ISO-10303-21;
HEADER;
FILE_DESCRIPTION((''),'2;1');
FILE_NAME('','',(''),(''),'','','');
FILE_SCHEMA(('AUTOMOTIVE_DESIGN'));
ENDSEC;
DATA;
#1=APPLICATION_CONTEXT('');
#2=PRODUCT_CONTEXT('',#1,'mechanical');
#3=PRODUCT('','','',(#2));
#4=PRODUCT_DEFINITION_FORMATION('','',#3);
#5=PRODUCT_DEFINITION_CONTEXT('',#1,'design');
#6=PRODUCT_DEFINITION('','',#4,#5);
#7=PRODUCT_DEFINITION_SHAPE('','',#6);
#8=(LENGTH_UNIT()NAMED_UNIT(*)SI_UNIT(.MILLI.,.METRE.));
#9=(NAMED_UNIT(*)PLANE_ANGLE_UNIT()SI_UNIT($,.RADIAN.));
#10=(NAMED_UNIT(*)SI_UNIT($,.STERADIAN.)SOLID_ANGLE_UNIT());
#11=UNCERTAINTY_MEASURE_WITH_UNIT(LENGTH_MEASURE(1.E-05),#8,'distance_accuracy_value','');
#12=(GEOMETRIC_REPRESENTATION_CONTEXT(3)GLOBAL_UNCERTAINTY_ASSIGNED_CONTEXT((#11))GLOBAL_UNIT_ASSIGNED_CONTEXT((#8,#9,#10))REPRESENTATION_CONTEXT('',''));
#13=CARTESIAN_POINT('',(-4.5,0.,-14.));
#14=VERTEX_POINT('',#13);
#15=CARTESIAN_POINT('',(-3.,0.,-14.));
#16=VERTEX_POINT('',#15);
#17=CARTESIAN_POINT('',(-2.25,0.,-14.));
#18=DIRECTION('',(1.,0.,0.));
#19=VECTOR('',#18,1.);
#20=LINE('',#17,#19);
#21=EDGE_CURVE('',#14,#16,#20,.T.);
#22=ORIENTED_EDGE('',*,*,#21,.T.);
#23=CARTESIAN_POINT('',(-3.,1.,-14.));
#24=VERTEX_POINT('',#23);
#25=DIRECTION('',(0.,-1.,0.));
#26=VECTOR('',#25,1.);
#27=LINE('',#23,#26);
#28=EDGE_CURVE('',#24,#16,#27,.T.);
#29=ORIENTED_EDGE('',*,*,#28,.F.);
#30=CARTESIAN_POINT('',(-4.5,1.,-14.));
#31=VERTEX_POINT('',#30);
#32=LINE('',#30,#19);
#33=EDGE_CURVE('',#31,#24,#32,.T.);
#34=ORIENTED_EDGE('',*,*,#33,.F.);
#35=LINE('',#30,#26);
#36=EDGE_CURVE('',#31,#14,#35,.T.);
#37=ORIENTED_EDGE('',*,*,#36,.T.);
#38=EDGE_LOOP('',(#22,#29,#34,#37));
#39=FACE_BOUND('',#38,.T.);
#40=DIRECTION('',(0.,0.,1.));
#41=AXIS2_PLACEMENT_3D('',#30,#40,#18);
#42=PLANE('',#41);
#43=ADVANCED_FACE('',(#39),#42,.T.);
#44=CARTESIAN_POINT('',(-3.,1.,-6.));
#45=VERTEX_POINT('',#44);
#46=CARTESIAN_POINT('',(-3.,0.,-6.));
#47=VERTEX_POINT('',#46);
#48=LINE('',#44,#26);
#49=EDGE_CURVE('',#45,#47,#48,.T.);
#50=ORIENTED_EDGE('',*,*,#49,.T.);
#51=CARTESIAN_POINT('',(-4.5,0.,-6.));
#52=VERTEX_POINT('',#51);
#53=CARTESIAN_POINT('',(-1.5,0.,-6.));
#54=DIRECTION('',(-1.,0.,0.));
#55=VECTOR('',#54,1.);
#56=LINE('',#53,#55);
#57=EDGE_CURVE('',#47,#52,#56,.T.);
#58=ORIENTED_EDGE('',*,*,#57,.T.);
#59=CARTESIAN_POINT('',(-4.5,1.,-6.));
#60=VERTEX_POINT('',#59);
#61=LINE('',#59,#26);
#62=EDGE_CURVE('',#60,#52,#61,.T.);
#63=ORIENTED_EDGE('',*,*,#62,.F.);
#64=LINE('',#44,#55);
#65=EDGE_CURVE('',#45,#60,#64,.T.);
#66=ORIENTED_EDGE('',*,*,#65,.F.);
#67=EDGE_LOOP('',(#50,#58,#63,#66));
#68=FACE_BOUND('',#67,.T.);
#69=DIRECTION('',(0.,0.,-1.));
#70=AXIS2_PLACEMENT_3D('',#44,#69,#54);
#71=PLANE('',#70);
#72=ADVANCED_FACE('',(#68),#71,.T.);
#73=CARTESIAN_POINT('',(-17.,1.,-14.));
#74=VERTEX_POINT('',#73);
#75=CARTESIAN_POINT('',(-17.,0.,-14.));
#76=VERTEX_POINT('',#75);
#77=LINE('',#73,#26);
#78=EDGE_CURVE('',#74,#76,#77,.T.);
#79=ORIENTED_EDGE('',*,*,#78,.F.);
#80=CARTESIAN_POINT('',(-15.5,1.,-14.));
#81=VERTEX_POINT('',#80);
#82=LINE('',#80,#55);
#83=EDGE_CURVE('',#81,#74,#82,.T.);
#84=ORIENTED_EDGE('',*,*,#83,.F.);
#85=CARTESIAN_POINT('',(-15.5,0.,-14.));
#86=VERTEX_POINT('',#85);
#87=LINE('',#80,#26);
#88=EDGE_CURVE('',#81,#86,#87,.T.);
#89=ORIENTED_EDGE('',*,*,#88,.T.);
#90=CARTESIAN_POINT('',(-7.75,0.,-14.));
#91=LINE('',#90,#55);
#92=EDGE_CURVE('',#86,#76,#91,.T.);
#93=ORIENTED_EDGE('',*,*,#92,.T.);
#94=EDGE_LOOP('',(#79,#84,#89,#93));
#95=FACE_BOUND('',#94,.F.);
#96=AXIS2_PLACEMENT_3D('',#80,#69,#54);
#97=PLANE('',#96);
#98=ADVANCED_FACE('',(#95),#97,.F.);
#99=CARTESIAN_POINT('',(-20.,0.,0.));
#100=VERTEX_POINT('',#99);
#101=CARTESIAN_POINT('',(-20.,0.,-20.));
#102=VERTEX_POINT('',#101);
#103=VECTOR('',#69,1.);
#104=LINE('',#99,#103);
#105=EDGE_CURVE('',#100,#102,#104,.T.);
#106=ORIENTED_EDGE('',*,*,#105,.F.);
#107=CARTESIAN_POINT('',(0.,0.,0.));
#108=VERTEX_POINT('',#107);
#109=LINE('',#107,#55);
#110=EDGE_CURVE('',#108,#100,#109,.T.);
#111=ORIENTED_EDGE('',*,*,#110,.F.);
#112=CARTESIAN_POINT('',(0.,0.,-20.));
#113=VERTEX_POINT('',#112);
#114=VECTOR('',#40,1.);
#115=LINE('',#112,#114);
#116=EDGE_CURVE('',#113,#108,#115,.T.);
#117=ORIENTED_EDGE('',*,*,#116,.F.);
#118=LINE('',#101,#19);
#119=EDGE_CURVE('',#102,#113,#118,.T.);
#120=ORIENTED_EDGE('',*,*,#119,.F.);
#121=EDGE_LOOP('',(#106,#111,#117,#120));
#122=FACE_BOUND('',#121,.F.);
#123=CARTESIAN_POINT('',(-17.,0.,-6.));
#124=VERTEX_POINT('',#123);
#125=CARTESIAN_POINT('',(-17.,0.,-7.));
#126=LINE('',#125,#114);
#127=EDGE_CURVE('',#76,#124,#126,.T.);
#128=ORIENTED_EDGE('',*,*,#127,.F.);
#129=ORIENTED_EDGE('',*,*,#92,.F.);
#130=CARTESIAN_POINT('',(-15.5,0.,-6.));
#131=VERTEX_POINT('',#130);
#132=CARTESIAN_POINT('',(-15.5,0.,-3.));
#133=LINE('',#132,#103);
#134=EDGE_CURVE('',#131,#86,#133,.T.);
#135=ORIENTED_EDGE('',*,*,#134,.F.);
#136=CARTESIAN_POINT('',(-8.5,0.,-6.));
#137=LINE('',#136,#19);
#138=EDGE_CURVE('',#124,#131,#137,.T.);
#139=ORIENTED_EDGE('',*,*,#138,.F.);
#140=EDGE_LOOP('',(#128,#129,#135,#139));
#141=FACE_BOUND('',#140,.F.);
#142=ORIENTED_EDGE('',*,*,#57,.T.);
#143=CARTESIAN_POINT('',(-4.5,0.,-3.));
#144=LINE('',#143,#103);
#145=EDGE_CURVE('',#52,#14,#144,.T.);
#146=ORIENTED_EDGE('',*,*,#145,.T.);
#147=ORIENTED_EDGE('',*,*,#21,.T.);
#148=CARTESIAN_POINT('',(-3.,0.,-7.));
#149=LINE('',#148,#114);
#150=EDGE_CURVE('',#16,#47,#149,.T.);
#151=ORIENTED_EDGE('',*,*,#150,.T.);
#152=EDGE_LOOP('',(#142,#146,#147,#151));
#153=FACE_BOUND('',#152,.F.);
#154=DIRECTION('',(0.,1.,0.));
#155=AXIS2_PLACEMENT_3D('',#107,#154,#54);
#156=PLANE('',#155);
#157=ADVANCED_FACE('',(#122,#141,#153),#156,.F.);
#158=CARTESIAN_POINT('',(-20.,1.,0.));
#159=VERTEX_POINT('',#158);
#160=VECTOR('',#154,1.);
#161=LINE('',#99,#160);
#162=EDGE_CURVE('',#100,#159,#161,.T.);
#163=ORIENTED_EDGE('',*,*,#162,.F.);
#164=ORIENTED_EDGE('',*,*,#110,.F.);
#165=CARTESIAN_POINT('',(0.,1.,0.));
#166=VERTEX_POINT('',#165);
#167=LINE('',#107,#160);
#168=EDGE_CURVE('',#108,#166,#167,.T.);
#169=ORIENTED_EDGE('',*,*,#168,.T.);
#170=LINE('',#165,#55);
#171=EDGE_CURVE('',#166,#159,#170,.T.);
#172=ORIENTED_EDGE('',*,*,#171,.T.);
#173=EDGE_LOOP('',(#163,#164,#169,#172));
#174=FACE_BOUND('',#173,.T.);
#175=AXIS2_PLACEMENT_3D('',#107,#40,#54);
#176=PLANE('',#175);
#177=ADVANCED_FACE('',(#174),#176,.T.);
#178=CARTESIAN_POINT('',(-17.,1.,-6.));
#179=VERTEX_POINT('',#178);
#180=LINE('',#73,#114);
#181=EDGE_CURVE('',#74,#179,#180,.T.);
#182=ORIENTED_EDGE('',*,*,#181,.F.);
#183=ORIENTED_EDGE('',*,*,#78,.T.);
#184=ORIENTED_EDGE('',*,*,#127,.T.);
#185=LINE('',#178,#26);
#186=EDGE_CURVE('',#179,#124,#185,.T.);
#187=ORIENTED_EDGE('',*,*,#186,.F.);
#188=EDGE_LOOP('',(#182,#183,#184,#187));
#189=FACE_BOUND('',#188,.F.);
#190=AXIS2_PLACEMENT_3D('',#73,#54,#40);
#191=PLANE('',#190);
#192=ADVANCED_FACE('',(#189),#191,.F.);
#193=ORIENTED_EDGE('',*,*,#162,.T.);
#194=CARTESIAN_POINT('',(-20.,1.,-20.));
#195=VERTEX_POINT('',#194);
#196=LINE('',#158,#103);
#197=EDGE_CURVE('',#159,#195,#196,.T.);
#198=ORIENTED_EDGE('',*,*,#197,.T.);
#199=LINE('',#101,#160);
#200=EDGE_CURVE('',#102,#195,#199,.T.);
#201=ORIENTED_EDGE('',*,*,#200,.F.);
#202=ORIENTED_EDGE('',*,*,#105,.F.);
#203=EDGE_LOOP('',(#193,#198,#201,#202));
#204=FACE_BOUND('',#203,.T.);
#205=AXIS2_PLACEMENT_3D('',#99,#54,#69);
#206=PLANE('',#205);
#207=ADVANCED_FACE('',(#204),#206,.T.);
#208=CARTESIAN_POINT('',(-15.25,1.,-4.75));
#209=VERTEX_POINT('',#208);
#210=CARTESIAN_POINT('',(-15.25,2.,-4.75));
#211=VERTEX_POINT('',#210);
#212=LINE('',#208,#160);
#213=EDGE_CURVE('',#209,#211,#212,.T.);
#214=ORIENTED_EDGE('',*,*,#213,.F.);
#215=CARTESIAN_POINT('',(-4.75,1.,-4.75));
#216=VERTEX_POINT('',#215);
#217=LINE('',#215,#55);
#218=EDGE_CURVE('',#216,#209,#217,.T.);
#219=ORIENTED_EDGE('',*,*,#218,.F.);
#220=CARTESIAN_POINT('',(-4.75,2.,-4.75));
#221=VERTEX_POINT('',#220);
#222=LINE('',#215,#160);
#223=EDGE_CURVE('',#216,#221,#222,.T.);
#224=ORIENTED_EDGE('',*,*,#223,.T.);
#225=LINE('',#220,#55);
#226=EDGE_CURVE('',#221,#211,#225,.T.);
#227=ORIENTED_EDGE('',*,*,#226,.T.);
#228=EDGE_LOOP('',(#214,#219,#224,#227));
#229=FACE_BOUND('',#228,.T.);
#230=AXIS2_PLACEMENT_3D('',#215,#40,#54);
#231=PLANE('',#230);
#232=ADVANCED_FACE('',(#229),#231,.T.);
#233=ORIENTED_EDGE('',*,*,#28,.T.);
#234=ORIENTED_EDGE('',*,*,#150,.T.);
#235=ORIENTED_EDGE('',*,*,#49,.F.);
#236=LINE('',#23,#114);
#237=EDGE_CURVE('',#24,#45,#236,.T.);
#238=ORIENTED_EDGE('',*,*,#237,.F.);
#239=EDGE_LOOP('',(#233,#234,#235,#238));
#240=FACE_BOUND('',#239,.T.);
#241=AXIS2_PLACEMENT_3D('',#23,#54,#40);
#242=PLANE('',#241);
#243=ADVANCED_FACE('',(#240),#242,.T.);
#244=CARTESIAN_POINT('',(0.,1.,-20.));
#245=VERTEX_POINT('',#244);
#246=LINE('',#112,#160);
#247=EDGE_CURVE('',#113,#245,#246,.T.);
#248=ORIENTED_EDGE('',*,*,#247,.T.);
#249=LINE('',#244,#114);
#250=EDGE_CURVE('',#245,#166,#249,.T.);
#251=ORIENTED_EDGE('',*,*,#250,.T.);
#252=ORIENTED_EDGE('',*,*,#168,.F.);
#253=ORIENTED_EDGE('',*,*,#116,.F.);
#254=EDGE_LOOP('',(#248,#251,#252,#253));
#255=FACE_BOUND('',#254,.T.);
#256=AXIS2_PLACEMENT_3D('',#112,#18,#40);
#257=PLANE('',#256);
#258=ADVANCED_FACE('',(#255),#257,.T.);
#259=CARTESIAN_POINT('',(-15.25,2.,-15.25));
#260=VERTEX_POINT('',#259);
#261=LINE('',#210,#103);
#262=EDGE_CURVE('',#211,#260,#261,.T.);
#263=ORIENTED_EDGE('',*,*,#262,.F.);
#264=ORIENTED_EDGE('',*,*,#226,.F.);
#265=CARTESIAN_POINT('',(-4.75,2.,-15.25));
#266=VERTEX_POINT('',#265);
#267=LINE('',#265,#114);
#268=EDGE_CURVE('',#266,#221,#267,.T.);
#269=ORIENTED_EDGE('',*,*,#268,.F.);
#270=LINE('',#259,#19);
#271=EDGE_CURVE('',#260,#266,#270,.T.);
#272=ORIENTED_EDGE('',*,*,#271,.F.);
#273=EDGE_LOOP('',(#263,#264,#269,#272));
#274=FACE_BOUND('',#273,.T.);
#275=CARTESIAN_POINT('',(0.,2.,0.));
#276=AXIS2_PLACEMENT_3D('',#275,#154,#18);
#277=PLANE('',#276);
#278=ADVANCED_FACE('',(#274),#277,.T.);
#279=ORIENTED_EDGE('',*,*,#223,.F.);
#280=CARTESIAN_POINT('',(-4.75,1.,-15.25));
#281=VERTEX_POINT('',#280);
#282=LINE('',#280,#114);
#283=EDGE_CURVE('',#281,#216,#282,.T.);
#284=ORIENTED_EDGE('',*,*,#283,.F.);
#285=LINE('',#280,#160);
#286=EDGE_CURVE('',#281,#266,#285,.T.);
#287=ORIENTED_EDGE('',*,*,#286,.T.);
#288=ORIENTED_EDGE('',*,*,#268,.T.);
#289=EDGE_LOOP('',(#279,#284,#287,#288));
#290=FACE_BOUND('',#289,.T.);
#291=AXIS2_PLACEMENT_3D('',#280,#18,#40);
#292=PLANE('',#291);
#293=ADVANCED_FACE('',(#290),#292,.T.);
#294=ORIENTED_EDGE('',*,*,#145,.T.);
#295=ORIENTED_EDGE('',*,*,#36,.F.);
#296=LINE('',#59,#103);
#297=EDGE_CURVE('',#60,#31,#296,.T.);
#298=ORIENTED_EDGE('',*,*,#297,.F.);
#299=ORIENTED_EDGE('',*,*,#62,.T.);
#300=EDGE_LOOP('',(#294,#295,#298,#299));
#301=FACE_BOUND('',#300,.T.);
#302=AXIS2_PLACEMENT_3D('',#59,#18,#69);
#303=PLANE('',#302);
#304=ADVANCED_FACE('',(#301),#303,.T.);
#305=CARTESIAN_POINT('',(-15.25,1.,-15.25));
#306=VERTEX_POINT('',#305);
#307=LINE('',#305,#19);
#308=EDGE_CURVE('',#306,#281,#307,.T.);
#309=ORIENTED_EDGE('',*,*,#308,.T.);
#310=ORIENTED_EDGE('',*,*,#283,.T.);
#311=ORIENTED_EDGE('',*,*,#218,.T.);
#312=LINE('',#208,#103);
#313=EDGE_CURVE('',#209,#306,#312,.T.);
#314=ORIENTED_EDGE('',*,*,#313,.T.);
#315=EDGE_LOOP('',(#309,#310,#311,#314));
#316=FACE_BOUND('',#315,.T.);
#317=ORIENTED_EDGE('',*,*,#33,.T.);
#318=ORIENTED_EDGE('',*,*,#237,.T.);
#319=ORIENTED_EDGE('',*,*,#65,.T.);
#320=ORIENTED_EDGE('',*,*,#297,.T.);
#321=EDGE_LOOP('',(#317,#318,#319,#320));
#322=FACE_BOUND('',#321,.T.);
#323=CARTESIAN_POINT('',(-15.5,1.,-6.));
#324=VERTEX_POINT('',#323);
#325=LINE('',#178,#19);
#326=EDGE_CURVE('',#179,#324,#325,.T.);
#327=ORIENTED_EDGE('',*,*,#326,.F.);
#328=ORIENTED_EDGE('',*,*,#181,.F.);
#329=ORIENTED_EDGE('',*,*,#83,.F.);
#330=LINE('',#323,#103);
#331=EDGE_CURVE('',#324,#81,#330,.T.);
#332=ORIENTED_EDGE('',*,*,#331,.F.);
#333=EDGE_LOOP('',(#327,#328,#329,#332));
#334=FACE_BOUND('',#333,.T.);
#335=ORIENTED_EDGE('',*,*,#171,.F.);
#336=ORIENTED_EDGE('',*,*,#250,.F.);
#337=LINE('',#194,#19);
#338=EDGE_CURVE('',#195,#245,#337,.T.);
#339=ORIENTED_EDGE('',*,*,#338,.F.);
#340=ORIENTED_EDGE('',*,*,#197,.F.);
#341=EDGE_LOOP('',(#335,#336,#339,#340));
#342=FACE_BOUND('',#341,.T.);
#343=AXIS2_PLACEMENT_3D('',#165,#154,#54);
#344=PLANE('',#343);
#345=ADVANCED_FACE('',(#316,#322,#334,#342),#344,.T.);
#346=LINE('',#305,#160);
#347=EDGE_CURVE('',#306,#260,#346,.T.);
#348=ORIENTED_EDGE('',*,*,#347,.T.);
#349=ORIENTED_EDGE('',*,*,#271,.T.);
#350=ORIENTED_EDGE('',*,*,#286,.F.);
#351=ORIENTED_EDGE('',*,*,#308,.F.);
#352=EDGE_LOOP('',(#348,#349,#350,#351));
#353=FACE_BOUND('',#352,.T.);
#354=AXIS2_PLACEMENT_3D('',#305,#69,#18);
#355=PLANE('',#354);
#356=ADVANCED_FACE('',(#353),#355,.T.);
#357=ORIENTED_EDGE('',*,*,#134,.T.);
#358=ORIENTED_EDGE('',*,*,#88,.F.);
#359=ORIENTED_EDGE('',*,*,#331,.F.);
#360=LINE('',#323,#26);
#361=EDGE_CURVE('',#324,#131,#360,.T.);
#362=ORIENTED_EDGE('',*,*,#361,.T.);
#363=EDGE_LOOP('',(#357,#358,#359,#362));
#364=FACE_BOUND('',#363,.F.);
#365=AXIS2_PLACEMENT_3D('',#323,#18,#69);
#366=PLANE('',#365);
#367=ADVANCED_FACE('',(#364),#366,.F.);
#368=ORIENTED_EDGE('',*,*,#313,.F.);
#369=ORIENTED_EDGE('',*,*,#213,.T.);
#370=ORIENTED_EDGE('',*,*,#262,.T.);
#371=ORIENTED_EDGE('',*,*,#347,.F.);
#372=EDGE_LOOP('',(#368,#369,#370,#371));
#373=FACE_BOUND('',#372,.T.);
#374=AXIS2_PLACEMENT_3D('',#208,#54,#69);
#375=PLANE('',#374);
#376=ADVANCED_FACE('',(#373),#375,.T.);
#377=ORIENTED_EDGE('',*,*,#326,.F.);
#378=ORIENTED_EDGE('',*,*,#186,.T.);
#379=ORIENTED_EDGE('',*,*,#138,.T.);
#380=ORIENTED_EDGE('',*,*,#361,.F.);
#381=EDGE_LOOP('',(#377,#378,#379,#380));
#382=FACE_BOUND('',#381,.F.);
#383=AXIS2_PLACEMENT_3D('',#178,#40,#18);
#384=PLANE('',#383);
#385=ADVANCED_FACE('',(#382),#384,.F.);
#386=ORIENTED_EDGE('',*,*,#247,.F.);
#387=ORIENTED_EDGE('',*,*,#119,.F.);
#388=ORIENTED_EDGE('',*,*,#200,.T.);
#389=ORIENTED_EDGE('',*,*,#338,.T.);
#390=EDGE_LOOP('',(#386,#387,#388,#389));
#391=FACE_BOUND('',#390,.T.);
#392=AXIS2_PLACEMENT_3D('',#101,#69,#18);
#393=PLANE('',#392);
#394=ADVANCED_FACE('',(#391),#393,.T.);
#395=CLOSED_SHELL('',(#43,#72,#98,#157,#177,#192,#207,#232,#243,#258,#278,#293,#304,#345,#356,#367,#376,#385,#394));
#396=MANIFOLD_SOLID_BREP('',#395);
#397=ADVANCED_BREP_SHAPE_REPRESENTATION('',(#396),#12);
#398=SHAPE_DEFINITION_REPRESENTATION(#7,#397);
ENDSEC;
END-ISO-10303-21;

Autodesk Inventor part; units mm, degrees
ref_plane "YZ Plane" through (0, 0, 0) normal (1, 0, 0) x (0, 1, 0)
ref_plane "XZ Plane" through (0, 0, 0) normal (0, 1, 0) x (-1, 0, 0)
ref_plane "XY Plane" through (0, 0, 0) normal (0, 0, 1) x (1, 0, 0)
sketch "Sketch1" plane through (0, 0, 0) normal (0, 1, 0) x (-1, 0, 0)
  line L0 (0, 0) -> (20, 0)
  line L1 (20, 0) -> (20, -20)
  line L2 (20, -20) -> (0, -20)
  line L3 (0, -20) -> (0, 0)
  dimension "d0" = 20
  dimension "d1" = 20
extrude "Extrusion1" add sketch "Sketch1" along normal blind 1
sketch "Sketch2" plane through (0, 1, 0) normal (0, 1, 0) x (1, 0, 0)
  line L0 (-15.5, 4.5) -> (-4.5, 4.5) construction
  line L1 (-4.5, 4.5) -> (-4.5, 15.5) construction
  line L2 (-4.5, 15.5) -> (-15.5, 15.5) construction
  line L3 (-15.5, 15.5) -> (-15.5, 4.5) construction
  line L4 (0, 0) -> (0, 20) projected
  line L5 (0, 20) -> (-20, 20) projected
  line L6 (-15.25, 15.25) -> (-4.75, 15.25)
  line L7 (-4.75, 15.25) -> (-4.75, 4.75)
  line L8 (-4.75, 4.75) -> (-15.25, 4.75)
  line L9 (-15.25, 4.75) -> (-15.25, 15.25)
  dimension "d4" = 11
  dimension "d5" = 11
  dimension "d6" = 4.5
  dimension "d7" = 4.5
  dimension "d20" = 0.25
extrude "Extrusion2" add sketch "Sketch2" along normal blind 1
sketch "Sketch3" plane through (0, 1, 0) normal (0, 1, 0) x (1, 0, 0)
  line L0 (-4.5, 14) -> (-3, 14)
  line L1 (-3, 14) -> (-3, 6)
  line L2 (-3, 6) -> (-4.5, 6)
  line L3 (-4.5, 6) -> (-4.5, 14)
  line L4 (-4.5, 4.5) -> (-4.5, 15.5) projected
  line L5 (-4.5, 15.5) -> (-15.5, 15.5) projected
  line L6 (-15.5, 14) -> (-17, 14)
  line L7 (-17, 14) -> (-17, 6)
  line L8 (-17, 6) -> (-15.5, 6)
  line L9 (-15.5, 6) -> (-15.5, 14)
  line L10 (-15.5, 15.5) -> (-15.5, 4.5) projected
  line L11 (-15.5, 4.5) -> (-4.5, 4.5) projected
  point P0 (0, 0)
  dimension "d10" = 8
  dimension "d11" = 1.5
  dimension "d12" = 0
  dimension "d13" = 1.5
  dimension "d14" = 8
  dimension "d15" = 1.5
  dimension "d16" = 0
  dimension "d17" = 1.5
extrude "Extrusion3" cut sketch "Sketch3" against normal through all contours L0 L1 L2 L3 | L9 L8 L7 L6
properties part number "Test_Button_Backboard"
